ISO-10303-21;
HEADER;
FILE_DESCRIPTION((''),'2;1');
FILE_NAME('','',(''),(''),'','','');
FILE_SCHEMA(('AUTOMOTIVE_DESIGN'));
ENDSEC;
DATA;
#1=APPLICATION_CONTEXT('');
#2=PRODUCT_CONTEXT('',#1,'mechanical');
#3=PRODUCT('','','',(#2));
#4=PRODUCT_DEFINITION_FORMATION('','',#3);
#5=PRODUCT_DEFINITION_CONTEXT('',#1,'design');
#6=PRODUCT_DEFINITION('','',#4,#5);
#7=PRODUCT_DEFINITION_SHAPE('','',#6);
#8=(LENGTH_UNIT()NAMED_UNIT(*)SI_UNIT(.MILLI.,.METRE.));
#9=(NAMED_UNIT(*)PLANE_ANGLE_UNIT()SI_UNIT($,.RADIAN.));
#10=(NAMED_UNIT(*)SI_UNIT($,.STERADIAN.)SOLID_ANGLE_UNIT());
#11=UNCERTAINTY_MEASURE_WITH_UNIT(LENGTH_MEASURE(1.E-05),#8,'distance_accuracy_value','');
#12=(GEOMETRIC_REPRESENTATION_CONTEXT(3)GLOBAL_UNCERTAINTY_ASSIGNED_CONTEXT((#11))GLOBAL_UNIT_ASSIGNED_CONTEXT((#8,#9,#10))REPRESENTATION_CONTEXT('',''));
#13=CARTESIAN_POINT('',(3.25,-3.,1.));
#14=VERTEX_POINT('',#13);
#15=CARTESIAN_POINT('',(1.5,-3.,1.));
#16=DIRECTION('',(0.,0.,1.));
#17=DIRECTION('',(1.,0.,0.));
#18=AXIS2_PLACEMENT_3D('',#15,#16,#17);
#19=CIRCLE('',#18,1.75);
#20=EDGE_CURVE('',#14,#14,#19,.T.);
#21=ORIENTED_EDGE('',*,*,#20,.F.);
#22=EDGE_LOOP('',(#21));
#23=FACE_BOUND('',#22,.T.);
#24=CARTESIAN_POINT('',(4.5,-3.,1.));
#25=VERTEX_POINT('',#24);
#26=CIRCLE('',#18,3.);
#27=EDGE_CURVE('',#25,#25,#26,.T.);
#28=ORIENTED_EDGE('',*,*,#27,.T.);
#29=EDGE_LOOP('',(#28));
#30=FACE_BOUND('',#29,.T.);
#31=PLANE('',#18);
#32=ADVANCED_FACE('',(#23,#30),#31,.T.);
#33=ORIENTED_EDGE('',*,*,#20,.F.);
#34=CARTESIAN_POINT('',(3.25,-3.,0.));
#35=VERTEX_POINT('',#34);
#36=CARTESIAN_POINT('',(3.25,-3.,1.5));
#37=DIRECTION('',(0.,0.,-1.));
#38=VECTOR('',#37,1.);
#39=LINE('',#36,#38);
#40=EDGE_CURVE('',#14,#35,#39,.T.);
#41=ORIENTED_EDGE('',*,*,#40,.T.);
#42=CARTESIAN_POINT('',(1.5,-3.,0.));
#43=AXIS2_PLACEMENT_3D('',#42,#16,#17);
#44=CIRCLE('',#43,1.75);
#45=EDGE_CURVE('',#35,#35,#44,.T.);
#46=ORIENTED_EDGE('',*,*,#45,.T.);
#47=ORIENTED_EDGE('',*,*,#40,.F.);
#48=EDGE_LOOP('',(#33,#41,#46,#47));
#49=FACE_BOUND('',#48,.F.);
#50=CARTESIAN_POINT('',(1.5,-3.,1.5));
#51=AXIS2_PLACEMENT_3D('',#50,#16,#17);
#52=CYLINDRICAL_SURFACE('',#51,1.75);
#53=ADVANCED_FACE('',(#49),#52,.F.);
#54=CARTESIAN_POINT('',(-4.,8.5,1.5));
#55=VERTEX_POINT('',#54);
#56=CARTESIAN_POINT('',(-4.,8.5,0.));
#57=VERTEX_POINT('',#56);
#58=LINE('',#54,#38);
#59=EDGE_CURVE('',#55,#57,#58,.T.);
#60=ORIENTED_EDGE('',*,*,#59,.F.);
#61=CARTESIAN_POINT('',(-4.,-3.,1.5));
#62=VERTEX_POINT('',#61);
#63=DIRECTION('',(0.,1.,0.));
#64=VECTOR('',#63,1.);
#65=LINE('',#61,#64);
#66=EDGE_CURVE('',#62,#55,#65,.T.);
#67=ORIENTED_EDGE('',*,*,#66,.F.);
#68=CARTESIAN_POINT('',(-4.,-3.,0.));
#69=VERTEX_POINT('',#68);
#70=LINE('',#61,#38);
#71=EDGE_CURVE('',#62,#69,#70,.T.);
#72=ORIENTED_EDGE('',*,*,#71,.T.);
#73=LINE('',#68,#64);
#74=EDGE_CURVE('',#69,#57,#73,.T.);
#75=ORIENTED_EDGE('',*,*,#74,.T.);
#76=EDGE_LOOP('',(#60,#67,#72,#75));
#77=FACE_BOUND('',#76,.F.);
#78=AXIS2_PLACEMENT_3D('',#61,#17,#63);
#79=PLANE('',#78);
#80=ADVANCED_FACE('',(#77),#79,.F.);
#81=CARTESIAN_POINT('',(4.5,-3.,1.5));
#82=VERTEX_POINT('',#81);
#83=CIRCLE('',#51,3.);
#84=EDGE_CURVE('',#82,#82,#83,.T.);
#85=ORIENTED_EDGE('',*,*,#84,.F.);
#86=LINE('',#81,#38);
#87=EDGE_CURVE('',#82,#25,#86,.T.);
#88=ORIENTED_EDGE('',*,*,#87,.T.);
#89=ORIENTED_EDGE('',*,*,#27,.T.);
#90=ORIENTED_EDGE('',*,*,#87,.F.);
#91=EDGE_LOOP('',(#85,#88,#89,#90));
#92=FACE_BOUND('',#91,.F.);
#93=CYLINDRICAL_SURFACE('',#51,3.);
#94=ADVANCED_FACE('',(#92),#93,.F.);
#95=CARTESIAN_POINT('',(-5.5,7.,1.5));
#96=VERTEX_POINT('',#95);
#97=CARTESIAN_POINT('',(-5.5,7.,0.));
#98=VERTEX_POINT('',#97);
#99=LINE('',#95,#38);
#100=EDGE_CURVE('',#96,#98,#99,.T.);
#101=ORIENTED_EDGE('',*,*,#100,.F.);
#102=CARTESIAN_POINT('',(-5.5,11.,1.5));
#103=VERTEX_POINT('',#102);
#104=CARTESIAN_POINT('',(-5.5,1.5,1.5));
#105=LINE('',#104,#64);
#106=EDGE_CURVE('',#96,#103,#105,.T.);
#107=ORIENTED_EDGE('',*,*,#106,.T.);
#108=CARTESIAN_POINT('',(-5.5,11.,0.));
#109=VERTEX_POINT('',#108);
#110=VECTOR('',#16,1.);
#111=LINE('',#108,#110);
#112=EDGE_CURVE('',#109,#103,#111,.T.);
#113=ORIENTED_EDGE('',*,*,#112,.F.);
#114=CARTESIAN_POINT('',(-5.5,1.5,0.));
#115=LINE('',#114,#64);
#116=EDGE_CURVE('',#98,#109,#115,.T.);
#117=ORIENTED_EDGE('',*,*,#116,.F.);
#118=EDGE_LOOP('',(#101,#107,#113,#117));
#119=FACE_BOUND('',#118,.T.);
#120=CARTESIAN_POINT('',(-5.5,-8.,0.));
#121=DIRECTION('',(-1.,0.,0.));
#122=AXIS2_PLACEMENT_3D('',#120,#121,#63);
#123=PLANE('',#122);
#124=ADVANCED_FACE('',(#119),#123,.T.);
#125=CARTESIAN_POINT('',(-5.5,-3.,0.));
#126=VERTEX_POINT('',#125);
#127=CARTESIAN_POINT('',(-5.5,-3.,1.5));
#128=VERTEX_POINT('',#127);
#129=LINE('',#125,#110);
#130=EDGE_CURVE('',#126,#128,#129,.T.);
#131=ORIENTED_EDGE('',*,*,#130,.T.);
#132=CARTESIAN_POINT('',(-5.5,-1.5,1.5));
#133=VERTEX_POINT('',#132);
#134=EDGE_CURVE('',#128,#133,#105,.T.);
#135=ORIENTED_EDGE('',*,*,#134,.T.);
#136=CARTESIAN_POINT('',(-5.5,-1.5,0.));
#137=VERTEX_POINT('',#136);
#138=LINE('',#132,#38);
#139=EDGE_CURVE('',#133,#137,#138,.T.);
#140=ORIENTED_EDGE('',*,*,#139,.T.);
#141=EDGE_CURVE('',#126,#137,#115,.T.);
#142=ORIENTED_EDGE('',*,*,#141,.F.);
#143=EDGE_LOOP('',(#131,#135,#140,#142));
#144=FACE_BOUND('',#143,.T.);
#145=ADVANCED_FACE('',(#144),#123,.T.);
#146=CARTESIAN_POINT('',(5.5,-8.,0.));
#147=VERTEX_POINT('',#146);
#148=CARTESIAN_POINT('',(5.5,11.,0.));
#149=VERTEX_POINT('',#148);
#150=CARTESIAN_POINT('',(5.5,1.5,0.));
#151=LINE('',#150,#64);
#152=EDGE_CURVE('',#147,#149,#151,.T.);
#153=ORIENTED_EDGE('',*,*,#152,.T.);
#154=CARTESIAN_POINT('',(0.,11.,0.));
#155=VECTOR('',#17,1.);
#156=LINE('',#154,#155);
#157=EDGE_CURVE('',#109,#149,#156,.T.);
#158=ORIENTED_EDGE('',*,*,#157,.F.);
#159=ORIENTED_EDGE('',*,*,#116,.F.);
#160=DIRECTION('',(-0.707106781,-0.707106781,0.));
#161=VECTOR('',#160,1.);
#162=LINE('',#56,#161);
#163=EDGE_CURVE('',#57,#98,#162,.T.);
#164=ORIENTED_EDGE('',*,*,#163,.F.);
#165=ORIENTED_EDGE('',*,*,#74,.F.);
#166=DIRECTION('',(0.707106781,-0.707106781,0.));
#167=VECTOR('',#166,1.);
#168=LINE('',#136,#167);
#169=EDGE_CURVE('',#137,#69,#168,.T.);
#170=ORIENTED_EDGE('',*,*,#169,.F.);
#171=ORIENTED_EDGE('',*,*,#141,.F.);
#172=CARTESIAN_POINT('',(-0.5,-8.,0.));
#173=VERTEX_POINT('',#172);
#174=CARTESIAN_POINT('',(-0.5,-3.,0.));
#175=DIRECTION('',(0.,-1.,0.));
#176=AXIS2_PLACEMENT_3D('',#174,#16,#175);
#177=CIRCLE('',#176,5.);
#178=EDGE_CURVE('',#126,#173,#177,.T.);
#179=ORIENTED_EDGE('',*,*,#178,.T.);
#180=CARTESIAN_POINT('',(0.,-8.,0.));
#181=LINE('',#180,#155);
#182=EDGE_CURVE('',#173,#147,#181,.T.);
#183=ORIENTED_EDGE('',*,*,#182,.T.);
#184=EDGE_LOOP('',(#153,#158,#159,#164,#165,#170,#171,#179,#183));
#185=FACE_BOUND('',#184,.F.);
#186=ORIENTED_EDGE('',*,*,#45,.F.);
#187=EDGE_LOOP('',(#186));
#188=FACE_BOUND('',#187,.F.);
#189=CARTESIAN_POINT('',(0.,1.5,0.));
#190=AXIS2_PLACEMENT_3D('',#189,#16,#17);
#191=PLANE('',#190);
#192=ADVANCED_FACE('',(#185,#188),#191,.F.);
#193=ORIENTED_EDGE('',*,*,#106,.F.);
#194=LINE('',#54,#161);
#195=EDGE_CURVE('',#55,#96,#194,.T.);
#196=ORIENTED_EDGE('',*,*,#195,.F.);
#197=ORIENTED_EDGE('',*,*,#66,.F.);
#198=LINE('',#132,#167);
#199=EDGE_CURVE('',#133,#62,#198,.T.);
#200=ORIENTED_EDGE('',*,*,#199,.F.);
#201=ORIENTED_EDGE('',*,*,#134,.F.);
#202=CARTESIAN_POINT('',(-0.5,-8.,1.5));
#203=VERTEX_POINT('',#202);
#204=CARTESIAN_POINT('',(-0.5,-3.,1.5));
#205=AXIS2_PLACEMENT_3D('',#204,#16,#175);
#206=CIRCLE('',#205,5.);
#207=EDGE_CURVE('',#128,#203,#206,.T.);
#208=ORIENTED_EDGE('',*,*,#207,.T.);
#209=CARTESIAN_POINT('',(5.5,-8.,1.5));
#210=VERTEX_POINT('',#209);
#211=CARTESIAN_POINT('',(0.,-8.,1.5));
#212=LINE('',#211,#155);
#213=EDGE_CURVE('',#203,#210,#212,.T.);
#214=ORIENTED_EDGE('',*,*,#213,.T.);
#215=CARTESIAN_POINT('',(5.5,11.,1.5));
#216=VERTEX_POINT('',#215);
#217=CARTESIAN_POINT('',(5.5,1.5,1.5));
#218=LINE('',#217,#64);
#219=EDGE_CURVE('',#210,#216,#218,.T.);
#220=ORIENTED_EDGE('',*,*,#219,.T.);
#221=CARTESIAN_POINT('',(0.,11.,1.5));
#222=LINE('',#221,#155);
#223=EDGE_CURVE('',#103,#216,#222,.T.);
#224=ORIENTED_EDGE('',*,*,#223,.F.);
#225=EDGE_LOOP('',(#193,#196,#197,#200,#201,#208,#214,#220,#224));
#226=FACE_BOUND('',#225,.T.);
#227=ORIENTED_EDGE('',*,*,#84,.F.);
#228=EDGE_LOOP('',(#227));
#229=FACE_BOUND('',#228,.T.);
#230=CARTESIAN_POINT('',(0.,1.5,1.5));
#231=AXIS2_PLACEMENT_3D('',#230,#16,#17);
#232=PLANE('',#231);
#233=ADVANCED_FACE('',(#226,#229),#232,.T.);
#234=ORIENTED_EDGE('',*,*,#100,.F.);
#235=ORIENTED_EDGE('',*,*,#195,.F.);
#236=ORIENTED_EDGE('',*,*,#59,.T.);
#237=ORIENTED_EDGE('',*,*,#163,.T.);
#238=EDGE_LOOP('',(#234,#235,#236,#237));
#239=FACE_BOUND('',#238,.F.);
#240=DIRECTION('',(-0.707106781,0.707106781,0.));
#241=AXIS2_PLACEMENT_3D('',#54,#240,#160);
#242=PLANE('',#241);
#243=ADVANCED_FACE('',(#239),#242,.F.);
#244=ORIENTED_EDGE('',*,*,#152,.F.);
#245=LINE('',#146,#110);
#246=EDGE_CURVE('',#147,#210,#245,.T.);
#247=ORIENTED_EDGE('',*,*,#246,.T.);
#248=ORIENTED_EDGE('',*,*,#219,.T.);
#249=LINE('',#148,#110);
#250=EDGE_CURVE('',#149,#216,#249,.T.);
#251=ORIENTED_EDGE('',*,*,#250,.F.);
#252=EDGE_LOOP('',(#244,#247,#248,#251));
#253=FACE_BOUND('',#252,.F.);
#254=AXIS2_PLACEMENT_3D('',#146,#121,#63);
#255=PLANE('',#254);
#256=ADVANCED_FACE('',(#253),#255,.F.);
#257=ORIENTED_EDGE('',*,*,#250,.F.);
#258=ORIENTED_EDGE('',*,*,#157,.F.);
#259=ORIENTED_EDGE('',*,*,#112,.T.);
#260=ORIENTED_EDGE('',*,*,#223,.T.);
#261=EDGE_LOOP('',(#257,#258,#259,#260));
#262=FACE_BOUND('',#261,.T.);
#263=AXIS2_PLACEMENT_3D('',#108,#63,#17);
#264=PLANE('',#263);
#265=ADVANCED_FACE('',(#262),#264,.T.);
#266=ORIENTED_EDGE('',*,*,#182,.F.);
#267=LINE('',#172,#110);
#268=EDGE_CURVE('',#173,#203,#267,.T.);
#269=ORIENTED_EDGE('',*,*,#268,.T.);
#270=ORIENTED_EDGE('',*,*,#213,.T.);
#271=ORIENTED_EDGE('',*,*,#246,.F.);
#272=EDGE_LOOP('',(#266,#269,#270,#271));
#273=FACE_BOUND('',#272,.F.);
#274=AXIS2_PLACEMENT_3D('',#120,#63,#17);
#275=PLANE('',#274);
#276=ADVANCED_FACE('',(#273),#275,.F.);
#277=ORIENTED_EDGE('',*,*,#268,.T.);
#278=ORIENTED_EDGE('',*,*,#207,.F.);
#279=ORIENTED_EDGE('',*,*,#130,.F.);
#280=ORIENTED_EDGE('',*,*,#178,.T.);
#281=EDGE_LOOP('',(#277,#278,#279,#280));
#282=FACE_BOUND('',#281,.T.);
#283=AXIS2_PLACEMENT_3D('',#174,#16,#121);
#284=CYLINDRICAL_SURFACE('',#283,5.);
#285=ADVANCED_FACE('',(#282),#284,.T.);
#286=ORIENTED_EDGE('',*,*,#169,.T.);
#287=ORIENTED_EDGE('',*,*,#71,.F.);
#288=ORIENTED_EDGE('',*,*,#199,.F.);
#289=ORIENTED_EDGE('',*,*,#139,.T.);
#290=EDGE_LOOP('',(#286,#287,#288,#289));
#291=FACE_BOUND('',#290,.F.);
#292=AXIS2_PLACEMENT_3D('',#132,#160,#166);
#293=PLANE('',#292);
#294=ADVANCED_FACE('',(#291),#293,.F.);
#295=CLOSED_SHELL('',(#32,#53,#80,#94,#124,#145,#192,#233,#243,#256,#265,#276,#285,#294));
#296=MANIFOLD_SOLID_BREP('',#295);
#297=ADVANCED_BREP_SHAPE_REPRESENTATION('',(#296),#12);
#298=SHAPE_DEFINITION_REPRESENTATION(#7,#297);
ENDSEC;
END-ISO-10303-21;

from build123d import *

# Parameters (mm, degrees)
SKETCH_W        = 11
SKETCH_H        = 19
PAD_DEPTH       = 1.5
SKETCH001_R     = 1.75
POCKET_DEPTH    = 1.5
SKETCH002_R     = 3
POCKET001_DEPTH = 0.5
POCKET002_DEPTH = 1.5
FILLET_R        = 5


with BuildPart() as part:
    # Sketch → Pad (new body)
    with BuildSketch(Plane.XY):
        with Locations((0, 1.5)):
            Rectangle(SKETCH_W, SKETCH_H)
    extrude(amount=PAD_DEPTH)

    # Sketch001 (on Face6 of Pad) → Pocket (cut)
    with BuildSketch(Plane.XY.offset(1.5)):
        with Locations((1.5, -3)):
            Circle(SKETCH001_R)
    extrude(amount=-POCKET_DEPTH, mode=Mode.SUBTRACT)

    # Sketch002 (on Face5 of Pocket) → Pocket001 (cut)
    with BuildSketch(Plane.XY.offset(1.5)):
        with Locations((1.5, -3)):
            Circle(SKETCH002_R)
    extrude(amount=-POCKET001_DEPTH, mode=Mode.SUBTRACT)

    # Sketch003 (on Face5 of Pocket001) → Pocket002 (cut)
    with BuildSketch(Plane.XY.offset(1.5)):
        Polygon((-4, 8.5), (-5.5, 7), (-5.5, -1.5), (-4, -3), align=None)
    extrude(amount=-POCKET002_DEPTH, mode=Mode.SUBTRACT)

    # Fillet
    fillet_edges = [part.edges().sort_by_distance(p)[0] for p in [
        (-5.5, -8, 0.75),
    ]]
    fillet(fillet_edges, radius=FILLET_R)


solid = part.part
